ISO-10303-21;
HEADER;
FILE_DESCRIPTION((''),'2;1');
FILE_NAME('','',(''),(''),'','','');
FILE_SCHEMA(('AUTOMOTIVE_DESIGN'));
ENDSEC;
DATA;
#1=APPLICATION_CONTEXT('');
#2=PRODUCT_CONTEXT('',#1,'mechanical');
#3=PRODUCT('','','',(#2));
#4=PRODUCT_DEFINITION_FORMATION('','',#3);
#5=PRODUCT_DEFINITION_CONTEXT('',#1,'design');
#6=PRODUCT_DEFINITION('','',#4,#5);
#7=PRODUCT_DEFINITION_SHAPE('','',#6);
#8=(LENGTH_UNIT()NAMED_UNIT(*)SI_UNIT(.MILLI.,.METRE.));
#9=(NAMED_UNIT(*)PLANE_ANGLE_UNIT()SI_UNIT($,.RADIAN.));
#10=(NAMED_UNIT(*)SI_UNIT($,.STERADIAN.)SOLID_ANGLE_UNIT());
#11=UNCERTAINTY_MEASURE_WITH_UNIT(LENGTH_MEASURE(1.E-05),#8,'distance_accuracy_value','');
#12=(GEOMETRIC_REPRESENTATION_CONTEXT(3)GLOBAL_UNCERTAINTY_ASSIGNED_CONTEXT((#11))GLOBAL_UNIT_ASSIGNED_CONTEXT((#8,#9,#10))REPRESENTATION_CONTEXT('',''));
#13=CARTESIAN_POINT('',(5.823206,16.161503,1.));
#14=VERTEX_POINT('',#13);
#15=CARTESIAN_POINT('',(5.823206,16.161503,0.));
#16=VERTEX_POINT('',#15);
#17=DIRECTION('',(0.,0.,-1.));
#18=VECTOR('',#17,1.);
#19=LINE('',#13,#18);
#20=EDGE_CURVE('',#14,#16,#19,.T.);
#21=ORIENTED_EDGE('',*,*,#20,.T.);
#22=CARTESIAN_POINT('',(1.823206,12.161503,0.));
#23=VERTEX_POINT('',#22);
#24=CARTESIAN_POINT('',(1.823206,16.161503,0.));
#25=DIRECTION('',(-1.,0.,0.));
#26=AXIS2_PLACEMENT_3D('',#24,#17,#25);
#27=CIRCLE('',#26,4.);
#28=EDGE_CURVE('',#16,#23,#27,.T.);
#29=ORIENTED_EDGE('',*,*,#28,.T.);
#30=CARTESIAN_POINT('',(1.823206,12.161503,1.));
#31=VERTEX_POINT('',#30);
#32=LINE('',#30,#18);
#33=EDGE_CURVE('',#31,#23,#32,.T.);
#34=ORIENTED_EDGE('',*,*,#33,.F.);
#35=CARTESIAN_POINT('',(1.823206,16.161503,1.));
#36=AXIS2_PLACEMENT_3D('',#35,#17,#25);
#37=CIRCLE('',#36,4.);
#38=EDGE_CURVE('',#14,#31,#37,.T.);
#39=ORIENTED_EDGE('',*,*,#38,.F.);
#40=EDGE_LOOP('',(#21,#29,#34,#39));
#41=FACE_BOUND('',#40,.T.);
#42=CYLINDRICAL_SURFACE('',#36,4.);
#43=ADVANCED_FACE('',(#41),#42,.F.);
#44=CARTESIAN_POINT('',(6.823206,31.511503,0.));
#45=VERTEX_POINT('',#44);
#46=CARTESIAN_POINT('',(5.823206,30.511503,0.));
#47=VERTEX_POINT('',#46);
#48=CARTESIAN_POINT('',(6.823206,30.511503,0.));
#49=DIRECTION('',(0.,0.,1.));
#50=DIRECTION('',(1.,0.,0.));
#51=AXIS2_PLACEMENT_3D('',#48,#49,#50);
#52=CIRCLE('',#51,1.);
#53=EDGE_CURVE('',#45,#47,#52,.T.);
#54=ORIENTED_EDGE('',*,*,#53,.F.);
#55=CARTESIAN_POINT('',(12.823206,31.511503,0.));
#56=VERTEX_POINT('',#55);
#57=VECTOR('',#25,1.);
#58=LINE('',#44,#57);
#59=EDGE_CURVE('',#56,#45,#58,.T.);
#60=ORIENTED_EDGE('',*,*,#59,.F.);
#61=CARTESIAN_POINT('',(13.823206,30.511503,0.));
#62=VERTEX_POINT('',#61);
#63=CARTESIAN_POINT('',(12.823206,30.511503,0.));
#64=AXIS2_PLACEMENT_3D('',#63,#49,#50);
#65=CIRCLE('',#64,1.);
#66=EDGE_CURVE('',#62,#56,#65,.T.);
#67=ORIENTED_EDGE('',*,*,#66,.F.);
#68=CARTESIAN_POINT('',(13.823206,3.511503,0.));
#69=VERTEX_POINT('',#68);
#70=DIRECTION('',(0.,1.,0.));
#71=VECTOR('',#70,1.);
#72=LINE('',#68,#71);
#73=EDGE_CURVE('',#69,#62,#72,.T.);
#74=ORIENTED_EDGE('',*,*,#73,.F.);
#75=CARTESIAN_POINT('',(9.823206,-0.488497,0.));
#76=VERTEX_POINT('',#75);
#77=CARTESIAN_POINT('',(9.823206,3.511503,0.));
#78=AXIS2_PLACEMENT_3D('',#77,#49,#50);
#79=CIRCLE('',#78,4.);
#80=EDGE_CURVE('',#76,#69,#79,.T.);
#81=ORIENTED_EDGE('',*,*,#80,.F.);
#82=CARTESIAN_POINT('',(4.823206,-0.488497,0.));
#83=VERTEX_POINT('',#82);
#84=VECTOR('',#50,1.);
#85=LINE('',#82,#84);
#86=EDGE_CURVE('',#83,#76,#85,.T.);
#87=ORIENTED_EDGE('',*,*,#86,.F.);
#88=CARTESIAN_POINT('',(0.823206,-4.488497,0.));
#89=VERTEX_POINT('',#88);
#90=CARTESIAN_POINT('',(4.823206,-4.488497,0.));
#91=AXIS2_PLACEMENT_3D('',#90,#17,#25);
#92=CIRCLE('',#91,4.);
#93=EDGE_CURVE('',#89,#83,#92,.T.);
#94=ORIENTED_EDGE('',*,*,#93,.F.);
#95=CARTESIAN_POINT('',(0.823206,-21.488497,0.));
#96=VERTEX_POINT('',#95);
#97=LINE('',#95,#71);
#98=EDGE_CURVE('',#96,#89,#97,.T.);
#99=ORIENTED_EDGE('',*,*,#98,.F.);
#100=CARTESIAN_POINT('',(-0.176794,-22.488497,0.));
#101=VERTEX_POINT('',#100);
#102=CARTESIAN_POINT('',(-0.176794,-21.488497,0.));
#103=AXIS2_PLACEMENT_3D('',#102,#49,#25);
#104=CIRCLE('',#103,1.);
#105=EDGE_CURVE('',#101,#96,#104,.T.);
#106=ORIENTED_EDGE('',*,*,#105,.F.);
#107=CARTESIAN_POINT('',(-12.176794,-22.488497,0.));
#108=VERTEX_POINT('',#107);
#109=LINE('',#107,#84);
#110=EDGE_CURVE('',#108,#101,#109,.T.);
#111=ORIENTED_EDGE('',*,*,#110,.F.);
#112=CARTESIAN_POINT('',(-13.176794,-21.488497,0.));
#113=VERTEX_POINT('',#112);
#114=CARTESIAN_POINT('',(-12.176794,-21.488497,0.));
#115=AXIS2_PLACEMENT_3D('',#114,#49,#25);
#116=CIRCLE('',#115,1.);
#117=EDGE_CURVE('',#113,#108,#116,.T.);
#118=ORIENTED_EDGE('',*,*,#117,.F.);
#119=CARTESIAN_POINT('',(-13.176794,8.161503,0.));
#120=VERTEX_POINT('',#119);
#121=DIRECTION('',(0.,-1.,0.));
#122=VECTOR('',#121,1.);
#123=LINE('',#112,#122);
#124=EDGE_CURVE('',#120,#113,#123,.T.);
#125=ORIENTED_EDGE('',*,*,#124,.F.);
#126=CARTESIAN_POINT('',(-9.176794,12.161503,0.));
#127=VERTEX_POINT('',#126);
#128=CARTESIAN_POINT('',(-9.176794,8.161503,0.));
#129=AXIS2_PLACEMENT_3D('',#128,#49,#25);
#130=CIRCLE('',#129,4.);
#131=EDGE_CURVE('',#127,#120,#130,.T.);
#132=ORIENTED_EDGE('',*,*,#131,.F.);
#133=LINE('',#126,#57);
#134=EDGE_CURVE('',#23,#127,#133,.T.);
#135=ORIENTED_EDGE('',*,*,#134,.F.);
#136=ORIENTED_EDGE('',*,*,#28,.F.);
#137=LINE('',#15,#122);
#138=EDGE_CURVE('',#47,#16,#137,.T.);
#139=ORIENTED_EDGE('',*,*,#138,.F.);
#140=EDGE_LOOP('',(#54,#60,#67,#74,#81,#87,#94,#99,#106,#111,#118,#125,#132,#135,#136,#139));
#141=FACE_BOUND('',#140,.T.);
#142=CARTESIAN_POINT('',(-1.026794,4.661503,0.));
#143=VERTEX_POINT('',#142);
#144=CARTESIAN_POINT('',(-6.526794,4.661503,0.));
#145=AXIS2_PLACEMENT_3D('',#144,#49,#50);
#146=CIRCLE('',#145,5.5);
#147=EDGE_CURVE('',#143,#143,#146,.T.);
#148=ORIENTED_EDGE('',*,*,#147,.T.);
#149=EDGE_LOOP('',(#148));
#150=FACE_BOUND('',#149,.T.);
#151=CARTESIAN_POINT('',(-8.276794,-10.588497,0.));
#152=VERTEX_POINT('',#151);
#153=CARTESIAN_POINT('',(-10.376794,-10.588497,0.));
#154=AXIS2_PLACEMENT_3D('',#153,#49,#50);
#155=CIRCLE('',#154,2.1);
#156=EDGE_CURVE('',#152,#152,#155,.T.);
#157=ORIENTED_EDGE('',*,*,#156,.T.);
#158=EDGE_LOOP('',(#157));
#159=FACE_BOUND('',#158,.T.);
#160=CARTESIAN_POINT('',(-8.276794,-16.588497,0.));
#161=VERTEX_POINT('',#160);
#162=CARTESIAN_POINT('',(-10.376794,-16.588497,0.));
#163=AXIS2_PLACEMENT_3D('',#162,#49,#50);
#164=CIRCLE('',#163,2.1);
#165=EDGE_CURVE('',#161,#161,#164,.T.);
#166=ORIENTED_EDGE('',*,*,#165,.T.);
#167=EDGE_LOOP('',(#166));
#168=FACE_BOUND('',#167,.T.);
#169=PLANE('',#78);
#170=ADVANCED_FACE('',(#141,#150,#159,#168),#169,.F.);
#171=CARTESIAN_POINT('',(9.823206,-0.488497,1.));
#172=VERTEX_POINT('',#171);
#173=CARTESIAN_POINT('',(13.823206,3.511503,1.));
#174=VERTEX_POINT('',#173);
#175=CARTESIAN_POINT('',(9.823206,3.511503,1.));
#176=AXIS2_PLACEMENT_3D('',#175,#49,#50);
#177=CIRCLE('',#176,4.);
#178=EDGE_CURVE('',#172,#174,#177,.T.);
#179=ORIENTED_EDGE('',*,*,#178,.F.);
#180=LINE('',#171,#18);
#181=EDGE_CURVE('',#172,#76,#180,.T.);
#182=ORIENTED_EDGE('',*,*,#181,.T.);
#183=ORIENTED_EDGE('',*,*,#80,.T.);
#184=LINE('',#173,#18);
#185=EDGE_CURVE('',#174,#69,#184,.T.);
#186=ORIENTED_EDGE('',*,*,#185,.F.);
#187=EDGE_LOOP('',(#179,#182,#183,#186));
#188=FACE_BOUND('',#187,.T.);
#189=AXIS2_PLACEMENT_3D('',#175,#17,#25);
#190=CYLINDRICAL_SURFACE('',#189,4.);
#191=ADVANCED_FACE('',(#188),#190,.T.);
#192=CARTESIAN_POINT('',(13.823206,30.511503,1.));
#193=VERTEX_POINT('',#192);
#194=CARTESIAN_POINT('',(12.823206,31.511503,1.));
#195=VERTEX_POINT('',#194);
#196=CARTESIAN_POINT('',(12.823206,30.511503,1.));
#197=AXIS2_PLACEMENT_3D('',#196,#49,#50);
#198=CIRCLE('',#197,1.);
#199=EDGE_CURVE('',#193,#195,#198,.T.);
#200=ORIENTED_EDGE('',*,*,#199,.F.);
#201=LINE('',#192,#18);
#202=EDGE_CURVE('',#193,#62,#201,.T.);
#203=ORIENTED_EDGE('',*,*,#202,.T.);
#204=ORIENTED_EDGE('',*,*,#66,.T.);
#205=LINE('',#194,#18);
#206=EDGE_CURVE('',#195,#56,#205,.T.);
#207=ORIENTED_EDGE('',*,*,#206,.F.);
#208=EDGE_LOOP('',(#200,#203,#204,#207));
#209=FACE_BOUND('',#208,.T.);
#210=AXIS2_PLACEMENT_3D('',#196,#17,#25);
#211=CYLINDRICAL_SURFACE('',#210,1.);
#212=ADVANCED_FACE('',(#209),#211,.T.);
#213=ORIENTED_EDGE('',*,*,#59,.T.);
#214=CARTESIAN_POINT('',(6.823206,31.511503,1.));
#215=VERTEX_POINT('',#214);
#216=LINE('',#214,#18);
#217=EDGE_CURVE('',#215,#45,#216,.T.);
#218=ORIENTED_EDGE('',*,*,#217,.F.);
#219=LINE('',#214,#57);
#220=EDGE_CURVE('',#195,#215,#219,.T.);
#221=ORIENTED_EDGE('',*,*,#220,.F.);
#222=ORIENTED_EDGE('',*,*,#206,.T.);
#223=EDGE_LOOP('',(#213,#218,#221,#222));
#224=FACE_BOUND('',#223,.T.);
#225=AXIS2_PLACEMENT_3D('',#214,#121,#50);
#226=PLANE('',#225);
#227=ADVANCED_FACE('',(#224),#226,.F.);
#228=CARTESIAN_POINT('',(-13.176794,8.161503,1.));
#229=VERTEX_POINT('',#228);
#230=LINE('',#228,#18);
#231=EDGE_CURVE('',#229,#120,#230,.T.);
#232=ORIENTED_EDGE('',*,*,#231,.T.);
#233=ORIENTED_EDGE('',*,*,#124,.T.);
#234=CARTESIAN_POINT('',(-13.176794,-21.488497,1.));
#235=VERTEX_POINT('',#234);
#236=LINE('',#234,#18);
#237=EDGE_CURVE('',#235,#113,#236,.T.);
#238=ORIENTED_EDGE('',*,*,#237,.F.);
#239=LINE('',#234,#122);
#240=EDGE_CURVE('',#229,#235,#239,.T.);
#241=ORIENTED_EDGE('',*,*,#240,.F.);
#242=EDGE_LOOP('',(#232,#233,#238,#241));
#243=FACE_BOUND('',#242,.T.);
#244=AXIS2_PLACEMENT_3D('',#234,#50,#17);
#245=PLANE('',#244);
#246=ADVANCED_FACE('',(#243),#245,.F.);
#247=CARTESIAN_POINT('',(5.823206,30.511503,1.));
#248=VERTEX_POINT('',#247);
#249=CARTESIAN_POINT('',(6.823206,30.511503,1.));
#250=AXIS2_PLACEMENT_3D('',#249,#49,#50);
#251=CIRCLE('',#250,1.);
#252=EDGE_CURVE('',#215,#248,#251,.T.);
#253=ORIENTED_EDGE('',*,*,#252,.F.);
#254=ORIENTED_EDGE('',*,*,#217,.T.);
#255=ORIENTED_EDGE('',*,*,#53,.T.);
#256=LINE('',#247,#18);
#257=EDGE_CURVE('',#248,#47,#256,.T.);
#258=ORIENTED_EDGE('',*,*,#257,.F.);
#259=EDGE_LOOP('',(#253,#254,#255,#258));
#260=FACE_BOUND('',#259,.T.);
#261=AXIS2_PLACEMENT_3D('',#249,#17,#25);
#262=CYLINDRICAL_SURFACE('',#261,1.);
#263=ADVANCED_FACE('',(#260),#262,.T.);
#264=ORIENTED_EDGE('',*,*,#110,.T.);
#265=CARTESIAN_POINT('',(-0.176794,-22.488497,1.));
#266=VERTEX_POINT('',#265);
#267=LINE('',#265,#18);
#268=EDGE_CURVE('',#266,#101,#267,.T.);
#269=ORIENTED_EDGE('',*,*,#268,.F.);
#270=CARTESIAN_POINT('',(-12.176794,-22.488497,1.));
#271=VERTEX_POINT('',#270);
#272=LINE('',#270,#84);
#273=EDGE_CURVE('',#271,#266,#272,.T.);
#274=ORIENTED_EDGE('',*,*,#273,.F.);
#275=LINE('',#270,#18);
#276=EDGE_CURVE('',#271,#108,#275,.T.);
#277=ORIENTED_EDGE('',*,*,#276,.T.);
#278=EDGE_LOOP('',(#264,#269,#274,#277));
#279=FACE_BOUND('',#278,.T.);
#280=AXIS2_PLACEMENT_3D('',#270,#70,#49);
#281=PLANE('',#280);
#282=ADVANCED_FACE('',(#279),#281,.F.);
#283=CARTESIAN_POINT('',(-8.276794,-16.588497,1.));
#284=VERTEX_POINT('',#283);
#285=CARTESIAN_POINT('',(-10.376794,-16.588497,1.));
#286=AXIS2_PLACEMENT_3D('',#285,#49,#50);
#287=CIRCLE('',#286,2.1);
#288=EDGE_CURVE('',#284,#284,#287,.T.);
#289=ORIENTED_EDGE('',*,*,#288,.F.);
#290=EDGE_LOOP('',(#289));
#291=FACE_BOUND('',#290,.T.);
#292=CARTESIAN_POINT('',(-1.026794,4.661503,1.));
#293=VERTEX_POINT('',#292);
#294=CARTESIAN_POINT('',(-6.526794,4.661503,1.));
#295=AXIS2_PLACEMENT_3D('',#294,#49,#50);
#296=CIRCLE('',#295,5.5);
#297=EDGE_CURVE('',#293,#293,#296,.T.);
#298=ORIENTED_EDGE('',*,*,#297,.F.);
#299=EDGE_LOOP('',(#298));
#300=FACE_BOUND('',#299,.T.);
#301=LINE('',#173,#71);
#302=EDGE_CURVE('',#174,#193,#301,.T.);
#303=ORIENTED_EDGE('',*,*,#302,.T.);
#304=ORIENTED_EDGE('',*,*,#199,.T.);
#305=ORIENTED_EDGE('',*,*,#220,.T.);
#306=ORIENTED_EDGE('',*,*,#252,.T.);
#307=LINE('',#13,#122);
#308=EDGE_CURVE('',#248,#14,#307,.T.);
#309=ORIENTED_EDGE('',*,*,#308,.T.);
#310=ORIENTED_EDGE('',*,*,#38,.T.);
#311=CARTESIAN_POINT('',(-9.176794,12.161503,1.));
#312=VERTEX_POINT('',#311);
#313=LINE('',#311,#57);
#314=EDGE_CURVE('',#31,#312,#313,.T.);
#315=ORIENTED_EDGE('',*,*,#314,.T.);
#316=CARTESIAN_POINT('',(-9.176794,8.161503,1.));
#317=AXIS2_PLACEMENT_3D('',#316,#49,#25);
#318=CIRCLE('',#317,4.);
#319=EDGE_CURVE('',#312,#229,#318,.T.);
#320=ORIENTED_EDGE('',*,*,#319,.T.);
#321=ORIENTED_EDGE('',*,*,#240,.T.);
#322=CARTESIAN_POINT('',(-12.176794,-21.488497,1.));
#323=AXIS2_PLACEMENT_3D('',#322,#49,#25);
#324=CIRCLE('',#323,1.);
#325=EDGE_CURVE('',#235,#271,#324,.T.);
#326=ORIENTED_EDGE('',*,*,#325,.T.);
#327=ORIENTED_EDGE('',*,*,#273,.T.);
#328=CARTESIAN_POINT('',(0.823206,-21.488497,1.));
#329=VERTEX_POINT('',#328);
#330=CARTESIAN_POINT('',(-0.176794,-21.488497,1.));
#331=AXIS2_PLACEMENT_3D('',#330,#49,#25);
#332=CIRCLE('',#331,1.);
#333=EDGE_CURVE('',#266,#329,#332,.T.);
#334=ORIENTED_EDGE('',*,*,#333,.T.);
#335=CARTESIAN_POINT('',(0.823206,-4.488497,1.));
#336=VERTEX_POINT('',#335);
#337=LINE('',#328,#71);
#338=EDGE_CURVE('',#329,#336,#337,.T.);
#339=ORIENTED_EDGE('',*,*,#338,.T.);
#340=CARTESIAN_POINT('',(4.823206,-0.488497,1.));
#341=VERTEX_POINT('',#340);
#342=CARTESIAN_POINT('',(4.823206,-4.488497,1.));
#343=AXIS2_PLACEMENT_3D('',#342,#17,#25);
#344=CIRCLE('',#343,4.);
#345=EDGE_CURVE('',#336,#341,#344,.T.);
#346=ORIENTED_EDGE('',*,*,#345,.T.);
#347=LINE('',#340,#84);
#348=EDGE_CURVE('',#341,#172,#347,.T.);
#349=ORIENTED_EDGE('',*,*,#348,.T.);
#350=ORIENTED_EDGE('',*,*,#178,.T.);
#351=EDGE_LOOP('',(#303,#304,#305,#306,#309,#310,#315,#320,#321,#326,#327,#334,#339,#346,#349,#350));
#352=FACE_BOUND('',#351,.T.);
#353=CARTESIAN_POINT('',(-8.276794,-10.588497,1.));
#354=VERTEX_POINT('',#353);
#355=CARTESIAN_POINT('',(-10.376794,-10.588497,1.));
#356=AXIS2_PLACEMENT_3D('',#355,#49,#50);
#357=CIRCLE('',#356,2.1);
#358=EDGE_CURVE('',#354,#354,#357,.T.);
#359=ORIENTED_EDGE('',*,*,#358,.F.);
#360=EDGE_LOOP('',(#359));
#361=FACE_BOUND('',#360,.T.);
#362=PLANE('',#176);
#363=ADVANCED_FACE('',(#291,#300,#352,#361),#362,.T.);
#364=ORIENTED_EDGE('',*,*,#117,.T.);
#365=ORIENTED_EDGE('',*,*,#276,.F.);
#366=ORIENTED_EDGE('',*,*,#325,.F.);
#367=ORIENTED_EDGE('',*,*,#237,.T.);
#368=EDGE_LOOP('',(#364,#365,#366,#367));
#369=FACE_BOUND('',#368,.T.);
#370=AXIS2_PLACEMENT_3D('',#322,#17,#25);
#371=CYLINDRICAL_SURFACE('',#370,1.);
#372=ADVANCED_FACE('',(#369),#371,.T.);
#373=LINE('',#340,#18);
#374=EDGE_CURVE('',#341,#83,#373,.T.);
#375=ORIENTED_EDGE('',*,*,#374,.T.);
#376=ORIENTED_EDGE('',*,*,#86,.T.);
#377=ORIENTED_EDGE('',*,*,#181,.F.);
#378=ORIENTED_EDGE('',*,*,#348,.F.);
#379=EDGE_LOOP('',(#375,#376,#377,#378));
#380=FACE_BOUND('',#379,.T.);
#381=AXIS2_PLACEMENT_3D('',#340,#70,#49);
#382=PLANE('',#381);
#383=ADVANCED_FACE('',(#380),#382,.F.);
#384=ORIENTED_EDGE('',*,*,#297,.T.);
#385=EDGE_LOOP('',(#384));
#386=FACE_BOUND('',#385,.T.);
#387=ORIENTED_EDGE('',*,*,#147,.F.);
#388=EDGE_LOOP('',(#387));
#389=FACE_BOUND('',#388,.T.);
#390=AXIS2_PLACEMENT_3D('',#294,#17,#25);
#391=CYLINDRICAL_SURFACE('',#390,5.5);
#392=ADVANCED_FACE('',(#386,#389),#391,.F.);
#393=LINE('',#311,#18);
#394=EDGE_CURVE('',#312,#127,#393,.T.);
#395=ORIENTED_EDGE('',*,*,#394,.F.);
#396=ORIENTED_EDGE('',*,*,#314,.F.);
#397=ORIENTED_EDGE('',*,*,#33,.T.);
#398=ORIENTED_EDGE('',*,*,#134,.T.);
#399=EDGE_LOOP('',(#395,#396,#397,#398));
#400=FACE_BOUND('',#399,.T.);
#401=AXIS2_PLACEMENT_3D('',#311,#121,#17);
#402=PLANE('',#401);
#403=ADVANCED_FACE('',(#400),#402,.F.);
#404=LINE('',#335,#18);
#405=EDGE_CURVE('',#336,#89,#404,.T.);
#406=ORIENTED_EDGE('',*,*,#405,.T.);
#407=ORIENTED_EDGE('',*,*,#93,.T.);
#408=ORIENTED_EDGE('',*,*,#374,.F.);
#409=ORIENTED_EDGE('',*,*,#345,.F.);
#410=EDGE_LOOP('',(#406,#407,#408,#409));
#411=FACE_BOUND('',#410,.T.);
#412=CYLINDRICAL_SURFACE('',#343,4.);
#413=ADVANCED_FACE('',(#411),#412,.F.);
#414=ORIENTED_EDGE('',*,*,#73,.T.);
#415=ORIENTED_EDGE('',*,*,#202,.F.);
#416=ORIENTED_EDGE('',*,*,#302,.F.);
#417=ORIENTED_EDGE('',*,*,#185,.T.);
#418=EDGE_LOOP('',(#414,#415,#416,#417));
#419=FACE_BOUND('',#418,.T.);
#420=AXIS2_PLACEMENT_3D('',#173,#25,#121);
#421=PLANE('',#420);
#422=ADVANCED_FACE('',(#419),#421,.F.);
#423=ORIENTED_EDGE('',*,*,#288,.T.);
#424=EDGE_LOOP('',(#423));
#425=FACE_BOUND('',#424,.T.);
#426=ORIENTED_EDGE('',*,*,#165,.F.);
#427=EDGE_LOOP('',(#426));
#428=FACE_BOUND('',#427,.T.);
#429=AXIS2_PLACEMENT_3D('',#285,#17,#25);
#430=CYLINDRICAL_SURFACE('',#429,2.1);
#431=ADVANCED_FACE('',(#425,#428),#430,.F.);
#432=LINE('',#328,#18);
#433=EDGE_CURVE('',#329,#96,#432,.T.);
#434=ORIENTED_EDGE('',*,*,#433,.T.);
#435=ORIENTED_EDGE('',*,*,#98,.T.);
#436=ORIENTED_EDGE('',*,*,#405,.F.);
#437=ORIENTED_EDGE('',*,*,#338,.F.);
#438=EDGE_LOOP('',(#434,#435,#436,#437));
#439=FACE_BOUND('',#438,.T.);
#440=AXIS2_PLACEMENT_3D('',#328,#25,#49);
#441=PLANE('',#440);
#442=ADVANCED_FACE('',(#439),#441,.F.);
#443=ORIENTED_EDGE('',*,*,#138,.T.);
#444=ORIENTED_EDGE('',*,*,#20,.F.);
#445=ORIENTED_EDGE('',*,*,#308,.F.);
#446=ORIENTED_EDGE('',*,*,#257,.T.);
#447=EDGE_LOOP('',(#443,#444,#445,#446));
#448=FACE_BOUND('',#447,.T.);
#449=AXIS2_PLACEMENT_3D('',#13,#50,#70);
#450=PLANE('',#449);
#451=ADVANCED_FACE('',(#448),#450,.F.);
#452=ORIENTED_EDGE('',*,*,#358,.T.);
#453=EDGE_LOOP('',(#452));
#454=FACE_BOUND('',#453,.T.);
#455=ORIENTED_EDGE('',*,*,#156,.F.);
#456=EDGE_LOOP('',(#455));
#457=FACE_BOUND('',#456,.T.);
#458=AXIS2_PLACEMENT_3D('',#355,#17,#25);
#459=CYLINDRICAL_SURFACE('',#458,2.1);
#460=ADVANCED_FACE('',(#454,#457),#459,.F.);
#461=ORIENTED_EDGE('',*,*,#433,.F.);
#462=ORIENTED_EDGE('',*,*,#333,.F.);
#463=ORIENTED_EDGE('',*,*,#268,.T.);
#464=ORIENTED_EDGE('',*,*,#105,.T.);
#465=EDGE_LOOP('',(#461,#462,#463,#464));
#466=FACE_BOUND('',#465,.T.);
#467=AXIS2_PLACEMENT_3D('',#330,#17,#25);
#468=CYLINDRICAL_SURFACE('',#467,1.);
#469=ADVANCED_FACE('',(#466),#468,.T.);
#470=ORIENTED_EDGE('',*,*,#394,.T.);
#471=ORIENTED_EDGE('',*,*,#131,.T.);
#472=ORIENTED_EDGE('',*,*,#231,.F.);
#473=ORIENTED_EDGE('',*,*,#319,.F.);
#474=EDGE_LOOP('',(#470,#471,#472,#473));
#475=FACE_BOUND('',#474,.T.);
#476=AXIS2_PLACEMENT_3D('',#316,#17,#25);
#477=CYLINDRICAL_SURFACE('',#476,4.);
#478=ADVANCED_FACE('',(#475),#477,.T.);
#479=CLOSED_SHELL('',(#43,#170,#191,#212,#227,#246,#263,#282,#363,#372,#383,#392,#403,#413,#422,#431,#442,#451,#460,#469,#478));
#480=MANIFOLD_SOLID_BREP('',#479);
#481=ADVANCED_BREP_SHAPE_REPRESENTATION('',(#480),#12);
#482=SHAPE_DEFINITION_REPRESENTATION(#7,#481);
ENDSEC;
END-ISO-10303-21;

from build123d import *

# Parameters (mm, degrees)
SKETCH2_R           = 2.1
SKETCH2_R_2         = 5.5
BOSS_EXTRUDE1_DEPTH = 1


with BuildPart() as part:
    # Sketch2 → Boss-Extrude1 (new body)
    with BuildSketch(Plane.XY):
        with BuildLine():
            Line((4.823205975, -0.488496739), (9.823205975, -0.488496739))
            ThreePointArc((9.823205975, -0.488496739), (12.6516331, 0.683076137), (13.823205975, 3.511503261))
            Line((13.823205975, 3.511503261), (13.823205975, 30.511503261))
            ThreePointArc((13.823205975, 30.511503261), (13.530312756, 31.218610043), (12.823205975, 31.511503261))
            Line((12.823205975, 31.511503261), (6.823205975, 31.511503261))
            ThreePointArc((6.823205975, 31.511503261), (6.116099194, 31.218610043), (5.823205975, 30.511503261))
            Line((5.823205975, 30.511503261), (5.823205975, 16.161503261))
            ThreePointArc((5.823205975, 16.161503261), (4.6516331, 13.333076137), (1.823205975, 12.161503261))
            Line((1.823205975, 12.161503261), (-9.176794025, 12.161503261))
            ThreePointArc((-9.176794025, 12.161503261), (-12.00522115, 10.989930386), (-13.176794025, 8.161503261))
            Line((-13.176794025, 8.161503261), (-13.176794025, -21.488496739))
            ThreePointArc((-13.176794025, -21.488496739), (-12.883900806, -22.19560352), (-12.176794025, -22.488496739))
            Line((-12.176794025, -22.488496739), (-0.176794025, -22.488496739))
            ThreePointArc((-0.176794025, -22.488496739), (0.530312756, -22.19560352), (0.823205975, -21.488496739))
            Line((0.823205975, -21.488496739), (0.823205975, -4.488496739))
            ThreePointArc((0.823205975, -4.488496739), (1.99477885, -1.660069614), (4.823205975, -0.488496739))
        make_face()
        with Locations((-10.376794025, -16.588496739)):
            Circle(SKETCH2_R, mode=Mode.SUBTRACT)
        with Locations((-10.376794025, -10.588496739)):
            Circle(SKETCH2_R, mode=Mode.SUBTRACT)
        with Locations((-6.526794025, 4.661503261)):
            Circle(SKETCH2_R_2, mode=Mode.SUBTRACT)
    extrude(amount=BOSS_EXTRUDE1_DEPTH)


solid = part.part
